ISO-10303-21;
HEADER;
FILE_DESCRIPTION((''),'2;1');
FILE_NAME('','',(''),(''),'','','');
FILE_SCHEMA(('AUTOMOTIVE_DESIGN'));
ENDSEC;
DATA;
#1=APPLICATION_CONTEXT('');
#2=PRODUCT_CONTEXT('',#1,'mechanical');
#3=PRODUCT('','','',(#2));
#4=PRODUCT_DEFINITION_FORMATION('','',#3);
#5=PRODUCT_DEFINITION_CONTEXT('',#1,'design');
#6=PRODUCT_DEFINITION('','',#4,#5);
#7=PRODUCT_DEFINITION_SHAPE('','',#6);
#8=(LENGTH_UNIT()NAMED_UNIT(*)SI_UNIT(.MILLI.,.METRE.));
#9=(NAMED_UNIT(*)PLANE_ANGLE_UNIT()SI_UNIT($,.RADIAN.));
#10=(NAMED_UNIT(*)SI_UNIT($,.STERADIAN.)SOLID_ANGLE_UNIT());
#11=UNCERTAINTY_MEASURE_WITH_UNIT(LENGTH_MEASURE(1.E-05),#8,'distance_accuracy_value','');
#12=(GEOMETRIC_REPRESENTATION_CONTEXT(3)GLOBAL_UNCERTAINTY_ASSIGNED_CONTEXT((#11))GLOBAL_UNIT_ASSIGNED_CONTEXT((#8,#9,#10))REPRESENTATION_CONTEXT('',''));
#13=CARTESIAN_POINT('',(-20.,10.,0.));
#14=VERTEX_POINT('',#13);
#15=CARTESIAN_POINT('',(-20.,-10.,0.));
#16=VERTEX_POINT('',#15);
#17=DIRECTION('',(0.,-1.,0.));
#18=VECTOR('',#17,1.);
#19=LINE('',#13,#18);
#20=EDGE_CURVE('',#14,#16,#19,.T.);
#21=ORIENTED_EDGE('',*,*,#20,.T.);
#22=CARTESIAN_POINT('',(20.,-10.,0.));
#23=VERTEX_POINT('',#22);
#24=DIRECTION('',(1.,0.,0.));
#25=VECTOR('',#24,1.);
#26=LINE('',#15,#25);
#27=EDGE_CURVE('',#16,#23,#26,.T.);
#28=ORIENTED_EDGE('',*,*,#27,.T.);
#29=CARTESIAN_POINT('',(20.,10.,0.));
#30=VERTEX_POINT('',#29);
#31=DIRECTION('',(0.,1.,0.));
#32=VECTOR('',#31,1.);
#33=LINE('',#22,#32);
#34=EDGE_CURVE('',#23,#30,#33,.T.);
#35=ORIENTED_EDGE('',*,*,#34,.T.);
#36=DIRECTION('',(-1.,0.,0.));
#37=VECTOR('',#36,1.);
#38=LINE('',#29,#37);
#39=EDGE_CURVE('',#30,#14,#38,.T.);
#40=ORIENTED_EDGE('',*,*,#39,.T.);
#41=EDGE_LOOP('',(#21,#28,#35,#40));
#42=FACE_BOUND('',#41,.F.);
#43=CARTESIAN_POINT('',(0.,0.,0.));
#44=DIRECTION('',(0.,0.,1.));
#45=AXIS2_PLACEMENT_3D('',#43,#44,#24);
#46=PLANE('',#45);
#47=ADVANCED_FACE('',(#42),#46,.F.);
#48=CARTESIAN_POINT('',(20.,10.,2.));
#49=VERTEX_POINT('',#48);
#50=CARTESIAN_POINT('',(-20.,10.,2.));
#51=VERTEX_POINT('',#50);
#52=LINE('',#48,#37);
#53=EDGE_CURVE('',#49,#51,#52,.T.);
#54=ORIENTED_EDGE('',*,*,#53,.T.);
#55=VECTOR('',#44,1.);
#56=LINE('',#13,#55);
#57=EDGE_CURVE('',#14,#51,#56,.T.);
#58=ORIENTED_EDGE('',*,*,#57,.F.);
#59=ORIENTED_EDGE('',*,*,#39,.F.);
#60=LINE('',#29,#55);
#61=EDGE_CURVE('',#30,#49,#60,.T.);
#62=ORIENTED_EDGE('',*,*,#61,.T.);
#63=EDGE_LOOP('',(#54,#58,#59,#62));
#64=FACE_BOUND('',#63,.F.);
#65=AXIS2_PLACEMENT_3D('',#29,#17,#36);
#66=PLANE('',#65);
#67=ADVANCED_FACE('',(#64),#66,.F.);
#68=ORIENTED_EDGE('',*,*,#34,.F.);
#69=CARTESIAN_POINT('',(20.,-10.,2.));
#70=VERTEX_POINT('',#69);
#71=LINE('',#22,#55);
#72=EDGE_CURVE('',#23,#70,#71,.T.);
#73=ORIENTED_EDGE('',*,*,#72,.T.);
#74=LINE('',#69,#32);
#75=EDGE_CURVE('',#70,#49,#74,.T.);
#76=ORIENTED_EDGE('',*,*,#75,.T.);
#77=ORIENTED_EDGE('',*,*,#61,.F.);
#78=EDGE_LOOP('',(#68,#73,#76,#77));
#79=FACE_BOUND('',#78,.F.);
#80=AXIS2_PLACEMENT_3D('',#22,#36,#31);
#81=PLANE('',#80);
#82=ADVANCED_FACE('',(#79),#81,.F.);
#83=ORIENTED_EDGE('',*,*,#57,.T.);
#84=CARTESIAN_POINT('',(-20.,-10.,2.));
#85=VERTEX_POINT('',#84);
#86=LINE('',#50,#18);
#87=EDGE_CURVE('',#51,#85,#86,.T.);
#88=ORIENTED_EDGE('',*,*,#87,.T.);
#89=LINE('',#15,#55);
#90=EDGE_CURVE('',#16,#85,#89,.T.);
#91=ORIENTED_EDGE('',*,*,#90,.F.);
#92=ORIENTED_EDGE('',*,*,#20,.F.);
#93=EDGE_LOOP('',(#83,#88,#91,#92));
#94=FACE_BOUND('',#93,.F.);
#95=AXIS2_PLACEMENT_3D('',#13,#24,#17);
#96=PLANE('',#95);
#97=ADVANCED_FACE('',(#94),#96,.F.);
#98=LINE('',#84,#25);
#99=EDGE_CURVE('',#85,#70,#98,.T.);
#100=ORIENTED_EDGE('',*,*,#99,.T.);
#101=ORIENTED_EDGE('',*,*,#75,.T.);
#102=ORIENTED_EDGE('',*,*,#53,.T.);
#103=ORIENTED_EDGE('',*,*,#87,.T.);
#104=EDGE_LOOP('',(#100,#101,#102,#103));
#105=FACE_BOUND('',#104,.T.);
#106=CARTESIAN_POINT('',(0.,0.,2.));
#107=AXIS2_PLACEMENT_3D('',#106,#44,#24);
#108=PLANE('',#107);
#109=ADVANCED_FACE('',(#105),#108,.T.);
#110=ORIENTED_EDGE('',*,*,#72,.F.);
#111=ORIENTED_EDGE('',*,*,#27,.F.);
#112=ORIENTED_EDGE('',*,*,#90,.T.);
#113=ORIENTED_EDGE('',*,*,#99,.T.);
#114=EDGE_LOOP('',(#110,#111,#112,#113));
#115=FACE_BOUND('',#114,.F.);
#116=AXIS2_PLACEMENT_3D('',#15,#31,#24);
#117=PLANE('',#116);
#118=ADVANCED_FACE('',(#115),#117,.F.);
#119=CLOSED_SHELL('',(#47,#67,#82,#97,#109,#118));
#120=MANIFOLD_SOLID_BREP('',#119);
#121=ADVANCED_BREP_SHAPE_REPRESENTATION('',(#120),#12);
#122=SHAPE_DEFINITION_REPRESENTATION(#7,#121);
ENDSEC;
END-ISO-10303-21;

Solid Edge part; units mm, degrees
sketch "Sketch1" plane through (0, 0, 0) normal (0, 0, 1) x (1, 0, 0)
  line L0 (-20, -10) -> (20, -10)
  line L1 (20, -10) -> (20, 10)
  line L2 (20, 10) -> (-20, 10)
  line L3 (-20, 10) -> (-20, -10)
extrude "Protrusion1" add sketch "Sketch1" along normal blind 2
